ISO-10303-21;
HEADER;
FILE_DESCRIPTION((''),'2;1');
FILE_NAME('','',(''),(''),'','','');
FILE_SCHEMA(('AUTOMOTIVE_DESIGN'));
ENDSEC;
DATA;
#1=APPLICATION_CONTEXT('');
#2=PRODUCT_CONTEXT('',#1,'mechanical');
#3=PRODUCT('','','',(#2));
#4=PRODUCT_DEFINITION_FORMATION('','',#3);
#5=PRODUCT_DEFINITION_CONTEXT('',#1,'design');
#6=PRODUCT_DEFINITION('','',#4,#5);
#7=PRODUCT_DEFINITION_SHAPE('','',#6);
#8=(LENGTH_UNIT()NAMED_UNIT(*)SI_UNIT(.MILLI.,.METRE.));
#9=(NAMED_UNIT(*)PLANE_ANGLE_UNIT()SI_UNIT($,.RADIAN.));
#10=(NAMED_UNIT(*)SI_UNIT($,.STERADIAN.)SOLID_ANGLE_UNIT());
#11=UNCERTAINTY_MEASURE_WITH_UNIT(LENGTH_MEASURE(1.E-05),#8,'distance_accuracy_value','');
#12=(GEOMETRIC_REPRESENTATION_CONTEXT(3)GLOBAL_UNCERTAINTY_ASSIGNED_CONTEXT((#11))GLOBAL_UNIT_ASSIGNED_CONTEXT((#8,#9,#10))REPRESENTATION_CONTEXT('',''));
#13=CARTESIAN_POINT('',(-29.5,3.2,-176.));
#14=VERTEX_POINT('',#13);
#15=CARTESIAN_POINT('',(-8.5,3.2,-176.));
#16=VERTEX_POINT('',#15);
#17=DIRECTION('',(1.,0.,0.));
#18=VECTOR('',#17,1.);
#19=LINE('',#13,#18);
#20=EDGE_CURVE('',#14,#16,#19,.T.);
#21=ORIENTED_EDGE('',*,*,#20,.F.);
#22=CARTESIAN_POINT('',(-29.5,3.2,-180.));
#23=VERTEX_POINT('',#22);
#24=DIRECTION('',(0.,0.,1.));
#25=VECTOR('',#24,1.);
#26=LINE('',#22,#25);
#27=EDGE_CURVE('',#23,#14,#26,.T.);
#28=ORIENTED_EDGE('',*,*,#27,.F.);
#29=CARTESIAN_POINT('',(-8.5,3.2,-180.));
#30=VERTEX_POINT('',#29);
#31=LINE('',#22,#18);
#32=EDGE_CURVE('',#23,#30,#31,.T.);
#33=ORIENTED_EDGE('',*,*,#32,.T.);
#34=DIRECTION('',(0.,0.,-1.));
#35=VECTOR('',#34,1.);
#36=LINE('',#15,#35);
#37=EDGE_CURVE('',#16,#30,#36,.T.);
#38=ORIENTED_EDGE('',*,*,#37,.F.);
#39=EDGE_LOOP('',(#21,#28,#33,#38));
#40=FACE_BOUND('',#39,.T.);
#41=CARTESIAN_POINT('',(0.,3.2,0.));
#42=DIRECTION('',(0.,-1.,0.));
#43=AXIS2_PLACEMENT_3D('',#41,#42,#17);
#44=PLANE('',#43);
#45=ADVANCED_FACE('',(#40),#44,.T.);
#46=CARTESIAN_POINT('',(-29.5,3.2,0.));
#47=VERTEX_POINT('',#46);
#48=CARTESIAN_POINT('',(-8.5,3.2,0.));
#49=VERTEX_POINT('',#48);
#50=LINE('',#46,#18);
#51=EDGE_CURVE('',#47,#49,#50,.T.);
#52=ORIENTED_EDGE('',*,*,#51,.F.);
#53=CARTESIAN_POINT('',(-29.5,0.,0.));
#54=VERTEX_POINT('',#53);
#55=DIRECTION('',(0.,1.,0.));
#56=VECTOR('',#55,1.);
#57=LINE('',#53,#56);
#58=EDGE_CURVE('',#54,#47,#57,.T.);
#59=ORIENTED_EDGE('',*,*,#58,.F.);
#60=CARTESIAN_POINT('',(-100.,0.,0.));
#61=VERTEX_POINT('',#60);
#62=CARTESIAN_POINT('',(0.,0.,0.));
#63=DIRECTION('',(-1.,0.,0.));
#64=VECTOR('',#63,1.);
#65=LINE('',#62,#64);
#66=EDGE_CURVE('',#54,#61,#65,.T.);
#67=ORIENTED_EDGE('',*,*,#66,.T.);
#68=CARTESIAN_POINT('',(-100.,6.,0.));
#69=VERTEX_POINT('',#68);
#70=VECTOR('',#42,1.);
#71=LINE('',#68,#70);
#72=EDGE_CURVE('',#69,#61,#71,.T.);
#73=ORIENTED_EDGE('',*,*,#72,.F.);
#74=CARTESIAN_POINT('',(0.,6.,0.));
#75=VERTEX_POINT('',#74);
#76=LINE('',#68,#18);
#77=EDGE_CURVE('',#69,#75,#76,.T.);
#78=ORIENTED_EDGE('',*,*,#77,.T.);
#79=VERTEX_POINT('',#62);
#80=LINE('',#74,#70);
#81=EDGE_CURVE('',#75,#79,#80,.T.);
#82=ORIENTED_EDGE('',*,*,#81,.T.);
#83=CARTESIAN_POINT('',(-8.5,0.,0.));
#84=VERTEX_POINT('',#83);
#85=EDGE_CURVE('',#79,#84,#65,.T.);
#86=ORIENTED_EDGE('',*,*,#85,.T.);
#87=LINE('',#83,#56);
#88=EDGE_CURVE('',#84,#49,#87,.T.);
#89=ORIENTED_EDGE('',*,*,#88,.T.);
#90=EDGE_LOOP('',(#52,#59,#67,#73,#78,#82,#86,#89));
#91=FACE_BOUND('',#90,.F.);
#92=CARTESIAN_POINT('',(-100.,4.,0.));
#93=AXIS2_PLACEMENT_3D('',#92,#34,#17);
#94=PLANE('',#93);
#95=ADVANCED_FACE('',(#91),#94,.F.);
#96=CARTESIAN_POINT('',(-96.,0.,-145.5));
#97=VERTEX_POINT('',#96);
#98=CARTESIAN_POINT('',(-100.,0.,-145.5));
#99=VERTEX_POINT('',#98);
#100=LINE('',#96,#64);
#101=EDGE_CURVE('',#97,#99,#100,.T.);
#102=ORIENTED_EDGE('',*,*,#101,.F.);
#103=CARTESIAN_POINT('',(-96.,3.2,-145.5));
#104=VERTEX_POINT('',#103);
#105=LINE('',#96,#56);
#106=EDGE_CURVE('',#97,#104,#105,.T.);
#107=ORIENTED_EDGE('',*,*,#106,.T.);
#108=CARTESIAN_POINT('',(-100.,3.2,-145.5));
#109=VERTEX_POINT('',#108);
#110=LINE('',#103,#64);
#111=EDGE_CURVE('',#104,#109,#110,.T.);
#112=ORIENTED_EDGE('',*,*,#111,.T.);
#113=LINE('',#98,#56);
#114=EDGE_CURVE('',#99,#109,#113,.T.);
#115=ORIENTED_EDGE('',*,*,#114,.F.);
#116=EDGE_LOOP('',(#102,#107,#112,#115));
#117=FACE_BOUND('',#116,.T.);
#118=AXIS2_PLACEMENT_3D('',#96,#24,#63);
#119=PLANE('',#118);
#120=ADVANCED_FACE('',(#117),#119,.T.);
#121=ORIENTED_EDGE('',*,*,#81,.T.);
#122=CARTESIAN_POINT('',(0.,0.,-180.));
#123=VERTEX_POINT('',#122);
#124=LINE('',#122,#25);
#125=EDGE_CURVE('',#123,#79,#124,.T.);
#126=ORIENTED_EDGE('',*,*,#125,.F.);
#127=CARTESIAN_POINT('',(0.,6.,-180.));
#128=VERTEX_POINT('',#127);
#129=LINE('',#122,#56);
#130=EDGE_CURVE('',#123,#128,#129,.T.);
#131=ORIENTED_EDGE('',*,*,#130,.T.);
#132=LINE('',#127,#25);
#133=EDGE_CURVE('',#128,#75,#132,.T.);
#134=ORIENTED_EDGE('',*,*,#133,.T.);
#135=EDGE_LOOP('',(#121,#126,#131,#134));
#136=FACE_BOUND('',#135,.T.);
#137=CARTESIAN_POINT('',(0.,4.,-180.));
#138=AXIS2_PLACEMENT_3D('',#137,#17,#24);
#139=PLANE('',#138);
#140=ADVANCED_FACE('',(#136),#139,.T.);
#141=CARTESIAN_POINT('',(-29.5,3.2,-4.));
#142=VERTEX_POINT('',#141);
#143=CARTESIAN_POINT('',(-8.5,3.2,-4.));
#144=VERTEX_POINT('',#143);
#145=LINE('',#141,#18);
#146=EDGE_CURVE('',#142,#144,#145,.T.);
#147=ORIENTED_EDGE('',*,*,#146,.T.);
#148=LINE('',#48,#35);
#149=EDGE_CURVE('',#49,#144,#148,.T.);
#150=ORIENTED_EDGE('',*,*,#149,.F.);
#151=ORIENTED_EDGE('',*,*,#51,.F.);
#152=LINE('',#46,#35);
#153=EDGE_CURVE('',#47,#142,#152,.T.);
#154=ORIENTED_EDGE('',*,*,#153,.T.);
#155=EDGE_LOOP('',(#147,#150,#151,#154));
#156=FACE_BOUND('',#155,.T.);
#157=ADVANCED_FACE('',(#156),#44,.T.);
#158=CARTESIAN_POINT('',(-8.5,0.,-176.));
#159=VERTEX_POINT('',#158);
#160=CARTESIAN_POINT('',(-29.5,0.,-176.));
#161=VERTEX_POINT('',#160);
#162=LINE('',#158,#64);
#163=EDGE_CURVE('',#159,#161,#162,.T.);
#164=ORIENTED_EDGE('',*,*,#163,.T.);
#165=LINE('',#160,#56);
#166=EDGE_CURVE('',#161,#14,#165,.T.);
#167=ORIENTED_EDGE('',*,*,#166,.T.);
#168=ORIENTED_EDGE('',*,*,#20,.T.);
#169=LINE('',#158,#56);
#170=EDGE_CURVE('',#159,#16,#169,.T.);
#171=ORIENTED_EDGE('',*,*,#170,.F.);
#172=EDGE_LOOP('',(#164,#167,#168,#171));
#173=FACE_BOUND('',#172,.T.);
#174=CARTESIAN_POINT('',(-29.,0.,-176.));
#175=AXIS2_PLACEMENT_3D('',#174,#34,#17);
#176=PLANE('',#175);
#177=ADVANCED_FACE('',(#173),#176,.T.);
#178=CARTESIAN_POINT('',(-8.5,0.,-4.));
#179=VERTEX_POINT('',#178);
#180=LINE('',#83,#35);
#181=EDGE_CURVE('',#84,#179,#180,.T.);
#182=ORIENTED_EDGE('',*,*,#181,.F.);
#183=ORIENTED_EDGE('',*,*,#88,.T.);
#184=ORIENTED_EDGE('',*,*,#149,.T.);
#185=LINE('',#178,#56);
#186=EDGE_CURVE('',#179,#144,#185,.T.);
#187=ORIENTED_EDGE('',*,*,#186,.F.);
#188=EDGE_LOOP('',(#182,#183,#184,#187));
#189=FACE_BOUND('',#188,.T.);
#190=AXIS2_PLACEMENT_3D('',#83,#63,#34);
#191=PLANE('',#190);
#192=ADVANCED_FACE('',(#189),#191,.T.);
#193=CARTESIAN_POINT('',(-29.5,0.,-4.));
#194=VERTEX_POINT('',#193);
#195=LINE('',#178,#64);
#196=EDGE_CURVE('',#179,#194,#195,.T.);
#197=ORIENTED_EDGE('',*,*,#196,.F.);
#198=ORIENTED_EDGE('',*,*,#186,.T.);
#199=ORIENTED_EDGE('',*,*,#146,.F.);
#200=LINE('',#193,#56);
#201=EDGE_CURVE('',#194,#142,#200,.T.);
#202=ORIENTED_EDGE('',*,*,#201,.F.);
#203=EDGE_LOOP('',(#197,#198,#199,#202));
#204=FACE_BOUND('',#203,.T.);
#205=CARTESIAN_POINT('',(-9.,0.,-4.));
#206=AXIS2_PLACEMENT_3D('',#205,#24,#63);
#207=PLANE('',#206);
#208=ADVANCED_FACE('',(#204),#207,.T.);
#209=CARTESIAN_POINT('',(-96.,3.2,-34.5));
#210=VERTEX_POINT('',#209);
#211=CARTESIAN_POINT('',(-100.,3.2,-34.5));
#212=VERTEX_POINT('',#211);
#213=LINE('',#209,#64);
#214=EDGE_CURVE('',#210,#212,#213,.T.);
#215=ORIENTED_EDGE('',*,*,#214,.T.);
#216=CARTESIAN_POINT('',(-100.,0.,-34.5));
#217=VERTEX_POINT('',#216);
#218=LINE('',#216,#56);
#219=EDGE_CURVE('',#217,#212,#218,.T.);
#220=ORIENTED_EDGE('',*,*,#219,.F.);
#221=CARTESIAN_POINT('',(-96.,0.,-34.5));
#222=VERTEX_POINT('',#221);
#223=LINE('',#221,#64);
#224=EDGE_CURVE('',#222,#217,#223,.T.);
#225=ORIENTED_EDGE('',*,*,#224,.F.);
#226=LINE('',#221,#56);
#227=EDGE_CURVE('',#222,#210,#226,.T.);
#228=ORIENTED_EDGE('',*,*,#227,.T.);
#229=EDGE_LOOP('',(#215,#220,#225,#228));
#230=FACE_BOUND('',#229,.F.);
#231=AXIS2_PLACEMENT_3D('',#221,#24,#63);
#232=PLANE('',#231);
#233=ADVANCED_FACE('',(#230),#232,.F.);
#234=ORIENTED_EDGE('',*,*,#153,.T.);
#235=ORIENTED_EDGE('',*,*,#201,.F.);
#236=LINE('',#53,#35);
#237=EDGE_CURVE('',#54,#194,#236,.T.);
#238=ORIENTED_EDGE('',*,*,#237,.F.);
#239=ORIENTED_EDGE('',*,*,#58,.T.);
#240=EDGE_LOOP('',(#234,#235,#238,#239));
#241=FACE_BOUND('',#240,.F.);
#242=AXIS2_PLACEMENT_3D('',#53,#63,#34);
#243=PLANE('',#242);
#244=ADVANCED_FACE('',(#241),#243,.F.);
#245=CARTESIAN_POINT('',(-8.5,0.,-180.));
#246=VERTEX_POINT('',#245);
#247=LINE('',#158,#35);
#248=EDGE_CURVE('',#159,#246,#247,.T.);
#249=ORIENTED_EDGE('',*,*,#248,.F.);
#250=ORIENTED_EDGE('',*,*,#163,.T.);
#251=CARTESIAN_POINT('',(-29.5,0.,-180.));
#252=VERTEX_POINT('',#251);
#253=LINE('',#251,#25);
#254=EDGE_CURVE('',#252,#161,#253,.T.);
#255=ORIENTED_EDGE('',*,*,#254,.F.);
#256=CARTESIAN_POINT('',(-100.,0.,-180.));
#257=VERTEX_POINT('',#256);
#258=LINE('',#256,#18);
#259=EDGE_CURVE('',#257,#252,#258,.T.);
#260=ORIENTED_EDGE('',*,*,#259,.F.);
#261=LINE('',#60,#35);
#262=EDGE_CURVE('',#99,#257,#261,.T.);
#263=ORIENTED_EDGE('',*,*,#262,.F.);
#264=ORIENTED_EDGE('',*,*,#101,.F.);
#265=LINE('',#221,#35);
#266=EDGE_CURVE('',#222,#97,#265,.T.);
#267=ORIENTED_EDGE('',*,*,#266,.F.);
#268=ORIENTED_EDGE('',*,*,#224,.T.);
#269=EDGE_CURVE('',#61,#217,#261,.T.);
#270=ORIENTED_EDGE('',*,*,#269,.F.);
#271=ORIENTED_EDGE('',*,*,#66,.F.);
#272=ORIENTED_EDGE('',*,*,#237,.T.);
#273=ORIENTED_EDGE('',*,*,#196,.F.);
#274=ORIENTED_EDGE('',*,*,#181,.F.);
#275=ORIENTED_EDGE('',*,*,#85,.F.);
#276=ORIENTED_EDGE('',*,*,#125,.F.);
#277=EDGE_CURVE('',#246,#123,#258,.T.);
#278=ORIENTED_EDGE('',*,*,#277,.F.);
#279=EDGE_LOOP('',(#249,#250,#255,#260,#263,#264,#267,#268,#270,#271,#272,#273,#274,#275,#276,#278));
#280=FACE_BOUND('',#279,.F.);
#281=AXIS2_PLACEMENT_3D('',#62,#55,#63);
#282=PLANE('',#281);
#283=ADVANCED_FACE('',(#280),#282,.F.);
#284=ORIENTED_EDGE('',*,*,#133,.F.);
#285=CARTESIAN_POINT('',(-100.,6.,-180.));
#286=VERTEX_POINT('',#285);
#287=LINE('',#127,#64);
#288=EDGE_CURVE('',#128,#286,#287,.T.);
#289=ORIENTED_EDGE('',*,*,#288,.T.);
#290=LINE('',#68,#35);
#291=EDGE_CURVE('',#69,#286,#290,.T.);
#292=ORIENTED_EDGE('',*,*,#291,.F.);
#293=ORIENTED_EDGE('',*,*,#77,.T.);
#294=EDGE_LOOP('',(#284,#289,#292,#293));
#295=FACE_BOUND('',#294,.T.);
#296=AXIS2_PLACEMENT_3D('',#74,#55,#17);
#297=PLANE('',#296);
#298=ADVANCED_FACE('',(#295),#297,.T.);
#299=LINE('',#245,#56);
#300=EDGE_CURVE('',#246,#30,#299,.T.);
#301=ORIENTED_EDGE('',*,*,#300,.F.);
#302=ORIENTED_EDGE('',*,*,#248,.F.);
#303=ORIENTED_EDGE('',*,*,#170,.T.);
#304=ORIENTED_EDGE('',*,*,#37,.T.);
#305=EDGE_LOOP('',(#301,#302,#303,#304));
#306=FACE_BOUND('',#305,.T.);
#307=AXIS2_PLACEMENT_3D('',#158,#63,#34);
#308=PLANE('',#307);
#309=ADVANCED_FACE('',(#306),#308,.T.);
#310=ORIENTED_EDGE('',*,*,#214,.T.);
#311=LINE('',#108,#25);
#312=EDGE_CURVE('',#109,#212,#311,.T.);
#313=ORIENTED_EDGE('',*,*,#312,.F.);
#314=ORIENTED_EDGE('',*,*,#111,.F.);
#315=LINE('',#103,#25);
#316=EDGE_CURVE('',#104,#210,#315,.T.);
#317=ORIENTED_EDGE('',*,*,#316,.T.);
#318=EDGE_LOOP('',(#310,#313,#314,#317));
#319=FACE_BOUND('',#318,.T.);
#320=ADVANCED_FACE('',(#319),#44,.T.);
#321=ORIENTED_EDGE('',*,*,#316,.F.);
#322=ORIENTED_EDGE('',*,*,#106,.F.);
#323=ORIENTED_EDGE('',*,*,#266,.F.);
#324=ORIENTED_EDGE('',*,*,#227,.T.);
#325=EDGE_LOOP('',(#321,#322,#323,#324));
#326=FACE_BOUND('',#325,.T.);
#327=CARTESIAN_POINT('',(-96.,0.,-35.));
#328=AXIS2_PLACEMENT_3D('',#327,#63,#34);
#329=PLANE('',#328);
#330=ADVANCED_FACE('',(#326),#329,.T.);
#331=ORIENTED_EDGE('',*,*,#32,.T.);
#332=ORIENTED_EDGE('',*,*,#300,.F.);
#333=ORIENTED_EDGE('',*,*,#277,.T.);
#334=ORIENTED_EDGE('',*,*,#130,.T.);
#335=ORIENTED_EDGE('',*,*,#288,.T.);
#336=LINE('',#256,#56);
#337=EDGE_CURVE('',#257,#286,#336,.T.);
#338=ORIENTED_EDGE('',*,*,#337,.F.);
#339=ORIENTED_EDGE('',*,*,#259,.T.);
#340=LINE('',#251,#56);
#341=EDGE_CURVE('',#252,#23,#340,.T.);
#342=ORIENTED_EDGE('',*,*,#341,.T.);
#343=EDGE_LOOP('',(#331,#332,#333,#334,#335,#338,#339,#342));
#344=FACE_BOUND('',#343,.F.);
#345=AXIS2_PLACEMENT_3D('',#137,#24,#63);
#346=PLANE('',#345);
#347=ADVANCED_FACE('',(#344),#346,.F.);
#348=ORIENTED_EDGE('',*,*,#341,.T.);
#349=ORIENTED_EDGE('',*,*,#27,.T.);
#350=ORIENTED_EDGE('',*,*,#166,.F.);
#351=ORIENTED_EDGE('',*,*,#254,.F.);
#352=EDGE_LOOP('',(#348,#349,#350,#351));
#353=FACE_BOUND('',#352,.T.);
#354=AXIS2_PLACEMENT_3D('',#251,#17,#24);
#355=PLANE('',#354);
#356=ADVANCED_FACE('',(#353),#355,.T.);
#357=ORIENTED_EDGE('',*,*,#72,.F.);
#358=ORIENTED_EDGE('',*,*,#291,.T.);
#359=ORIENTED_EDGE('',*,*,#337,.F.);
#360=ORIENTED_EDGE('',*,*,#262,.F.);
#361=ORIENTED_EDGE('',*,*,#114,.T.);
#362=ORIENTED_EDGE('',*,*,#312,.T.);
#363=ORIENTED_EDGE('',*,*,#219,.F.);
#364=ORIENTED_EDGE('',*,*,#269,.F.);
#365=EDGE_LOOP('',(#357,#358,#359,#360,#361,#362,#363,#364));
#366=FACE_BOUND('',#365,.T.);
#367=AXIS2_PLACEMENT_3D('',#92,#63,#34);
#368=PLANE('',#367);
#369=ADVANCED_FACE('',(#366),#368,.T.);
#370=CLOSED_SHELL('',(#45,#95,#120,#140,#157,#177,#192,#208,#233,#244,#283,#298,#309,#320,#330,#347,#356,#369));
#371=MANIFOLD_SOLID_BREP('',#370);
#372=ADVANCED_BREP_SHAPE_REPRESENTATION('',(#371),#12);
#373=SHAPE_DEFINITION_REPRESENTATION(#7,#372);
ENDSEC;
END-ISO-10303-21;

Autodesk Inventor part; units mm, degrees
ref_plane "YZ Plane" through (0, 0, 0) normal (1, 0, 0) x (0, 1, 0)
ref_plane "XZ Plane" through (0, 0, 0) normal (0, 1, 0) x (-1, 0, 0)
ref_plane "XY Plane" through (0, 0, 0) normal (0, 0, 1) x (1, 0, 0)
sketch "Sketch1" plane through (0, 0, 0) normal (0, 1, 0) x (-1, 0, 0)
  line L0 (0, 0) -> (100, 0)
  line L1 (100, 0) -> (100, -180)
  line L2 (100, -180) -> (0, -180)
  line L3 (0, -180) -> (0, 0)
  dimension "d0" = 100
  dimension "d1" = 180
extrude "Extrusion1" add sketch "Sketch1" along normal blind 4
sketch "Sketch2" plane through (0, 4, 0) normal (0, 1, 0) x (1, 0, 0)
  line L0 (-100, 180) -> (-100, 0) projected
  line L1 (0, 180) -> (-100, 180) projected
  line L2 (-100, 0) -> (-96, 0)
  line L3 (-96, 0) -> (-96, 180)
  line L4 (-96, 180) -> (-100, 180)
  line L5 (-100, 180) -> (-100, 0)
  line L6 (0, 180) -> (-4, 180)
  line L7 (-4, 180) -> (-4, 0)
  line L8 (-4, 0) -> (0, 0)
  line L9 (0, 0) -> (0, 180)
  dimension "d4" = 4
  dimension "d5" = 4
extrude "Extrusion2" add sketch "Sketch2" along normal blind 5 contours L1 L9 L8 L7
sketch "Sketch3" plane through (0, 4, 0) normal (0, 1, 0) x (1, 0, 0)
  line L0 (-4, 180) -> (-4, 0) projected
  line L1 (-4, 0) -> (-34, 0)
  line L2 (-34, 0) -> (-34, 4)
  line L3 (-34, 4) -> (-4, 4)
  line L4 (-4, 4) -> (-4, 0)
  line L5 (-4, 180) -> (-100, 180) projected
  line L6 (-4, 180) -> (-34, 180)
  line L7 (-34, 180) -> (-34, 176)
  line L8 (-34, 176) -> (-4, 176)
  line L9 (-4, 176) -> (-4, 180)
  line L10 (-100, 0) -> (0, 0) projected
  line L11 (-100, 0) -> (-96, 0)
  line L12 (-96, 0) -> (-96, 180)
  line L13 (-96, 180) -> (-100, 180)
  line L14 (-100, 180) -> (-100, 0)
  point P0 (-4, 176)
  point P1 (-4, 4)
  dimension "d8" = 30
  dimension "d9" = 4
  dimension "d10" = 4
  dimension "d11" = 4
extrude "Extrusion3" add sketch "Sketch3" along normal blind 25 contours L0 L8 L7 L5 | L0 L1 L2 L3 | L12 L10 L14 L5
sketch "Sketch4" plane through (0, 29, 0) normal (0, 1, 0) x (1, 0, 0)
  line L0 (-100, 0) -> (-96, 0) projected
  line L1 (-96, 0) -> (-96, 180) projected
  line L2 (-96, 180) -> (-100, 180) projected
  line L3 (-100, 180) -> (-100, 0) projected
  line L4 (-4, 176) -> (-4, 180) projected
  line L5 (-4, 180) -> (-34, 180) projected
  line L6 (-34, 180) -> (-34, 176) projected
  line L7 (-34, 176) -> (-4, 176) projected
  line L8 (-34, 0) -> (-4, 0) projected
  line L9 (-34, 4) -> (-34, 0) projected
  line L10 (-34, 0) -> (-4, 0) projected
  line L11 (-4, 0) -> (-4, 4) projected
  line L12 (-4, 4) -> (-34, 4) projected
  line L13 (-100, 90) -> (-100, 145)
  line L14 (-100, 145) -> (-96, 145)
  line L15 (-96, 145) -> (-96, 35)
  line L16 (-96, 0) -> (-96, 180) projected
  line L17 (-96, 35) -> (-100, 35)
  line L18 (-100, 35) -> (-100, 90)
  line L19 (-4, 176) -> (-34, 176) projected
  line L20 (-19, 176) -> (-29, 176)
  line L21 (-29, 176) -> (-29, 180)
  line L22 (-29, 180) -> (-9, 180)
  line L23 (0, 180) -> (-100, 180) projected
  line L24 (-9, 180) -> (-9, 176)
  line L25 (-19, 176) -> (-9, 176)
  line L26 (-19, 4) -> (-29, 4)
  line L27 (-29, 4) -> (-29, 0)
  line L28 (-29, 0) -> (-9, 0)
  line L29 (-9, 0) -> (-9, 4)
  line L30 (-4, 4) -> (-34, 4) projected
  line L31 (-9, 4) -> (-19, 4)
  point P0 (0, 0)
  dimension "d14" = 55
  dimension "d15" = 110
  dimension "d16" = 10
  dimension "d17" = 20
extrude "Extrusion4" add sketch "Sketch4" along normal blind 3 contours L3 L14 L1 L17 | L5 L24 L7 L21 | L27 L12 L29 L8
sketch "Sketch5" plane through (0, 0, 0) normal (0, -1, 0) x (1, 0, 0)
  line L0 (-9, -4) -> (-29, -4) projected
  line L1 (-29, -4) -> (-29, 0) projected
  line L2 (-29, 0) -> (-9, 0) projected
  line L3 (-9, 0) -> (-9, -4) projected
  line L4 (-9, -180) -> (-29, -180) projected
  line L5 (-29, -180) -> (-29, -176) projected
  line L6 (-29, -176) -> (-9, -176) projected
  line L7 (-9, -176) -> (-9, -180) projected
  line L8 (-96, -35) -> (-96, -145) projected
  line L9 (-96, -145) -> (-100, -145) projected
  line L10 (-100, -145) -> (-100, -35) projected
  line L11 (-100, -35) -> (-96, -35) projected
  line L12 (-96, -180) -> (-96, 0) projected
  line L13 (-100, -35) -> (-96, -35)
  line L14 (-96, -35) -> (-96, -34.5)
  line L15 (-96, -34.5) -> (-100, -34.5)
  line L16 (-100, -34.5) -> (-100, -35)
  line L17 (-100, -145) -> (-96, -145)
  line L18 (-96, -145) -> (-96, -145.5)
  line L19 (-96, -145.5) -> (-100, -145.5)
  line L20 (-100, -145.5) -> (-100, -145)
  line L21 (-4, -176) -> (-34, -176) projected
  line L22 (-29, -180) -> (-29.5, -180)
  line L23 (-29.5, -180) -> (-29.5, -176)
  line L24 (-29.5, -176) -> (-29, -176)
  line L25 (-29, -176) -> (-29, -180)
  line L26 (-9, -176) -> (-8.5, -176)
  line L27 (-8.5, -176) -> (-8.5, -180)
  line L28 (-8.5, -180) -> (-9, -180)
  line L29 (-9, -180) -> (-9, -176)
  line L30 (-34, -4) -> (-4, -4) projected
  line L31 (-29, 0) -> (-29.5, 0)
  line L32 (-29.5, 0) -> (-29.5, -4)
  line L33 (-29.5, -4) -> (-29, -4)
  line L34 (-29, -4) -> (-29, 0)
  line L35 (-9, 0) -> (-8.5, 0)
  line L36 (-8.5, 0) -> (-8.5, -4)
  line L37 (-8.5, -4) -> (-9, -4)
  line L38 (-9, -4) -> (-9, 0)
  point P0 (0, 0)
  dimension "d22" = 0.5
  dimension "d23" = 0.5
  dimension "d24" = 0.5
  dimension "d25" = 0.5
  dimension "d26" = 0.5
  dimension "d27" = 0.5
extrude "Extrusion5" cut sketch "Sketch5" against normal blind 3.2
sketch "Sketch6" plane through (0, 32, 0) normal (0, 1, 0) x (1, 0, 0)
  line L0 (-126.3586, 197.6117) -> (20.3273, 197.6117)
  line L1 (20.3273, 197.6117) -> (20.3273, -20.388)
  line L2 (20.3273, -20.388) -> (-126.3586, -20.388)
  line L3 (-126.3586, -20.388) -> (-126.3586, 197.6117)
  point P0 (0, 0)
extrude "Extrusion6" cut sketch "Sketch6" against normal up to surface (28 mm away)
sketch "Sketch7" plane through (0, 4, 0) normal (0, 1, 0) x (1, 0, 0)
  line L0 (0, 180) -> (-100, 180) projected
  line L1 (-100, 0) -> (-100, 180) projected
  line L2 (-100, 0) -> (0, 0) projected
  line L3 (0, 180) -> (0, 0) projected
extrude "Extrusion7" add sketch "Sketch7" along normal blind 2
properties part number "caja_attiny"
